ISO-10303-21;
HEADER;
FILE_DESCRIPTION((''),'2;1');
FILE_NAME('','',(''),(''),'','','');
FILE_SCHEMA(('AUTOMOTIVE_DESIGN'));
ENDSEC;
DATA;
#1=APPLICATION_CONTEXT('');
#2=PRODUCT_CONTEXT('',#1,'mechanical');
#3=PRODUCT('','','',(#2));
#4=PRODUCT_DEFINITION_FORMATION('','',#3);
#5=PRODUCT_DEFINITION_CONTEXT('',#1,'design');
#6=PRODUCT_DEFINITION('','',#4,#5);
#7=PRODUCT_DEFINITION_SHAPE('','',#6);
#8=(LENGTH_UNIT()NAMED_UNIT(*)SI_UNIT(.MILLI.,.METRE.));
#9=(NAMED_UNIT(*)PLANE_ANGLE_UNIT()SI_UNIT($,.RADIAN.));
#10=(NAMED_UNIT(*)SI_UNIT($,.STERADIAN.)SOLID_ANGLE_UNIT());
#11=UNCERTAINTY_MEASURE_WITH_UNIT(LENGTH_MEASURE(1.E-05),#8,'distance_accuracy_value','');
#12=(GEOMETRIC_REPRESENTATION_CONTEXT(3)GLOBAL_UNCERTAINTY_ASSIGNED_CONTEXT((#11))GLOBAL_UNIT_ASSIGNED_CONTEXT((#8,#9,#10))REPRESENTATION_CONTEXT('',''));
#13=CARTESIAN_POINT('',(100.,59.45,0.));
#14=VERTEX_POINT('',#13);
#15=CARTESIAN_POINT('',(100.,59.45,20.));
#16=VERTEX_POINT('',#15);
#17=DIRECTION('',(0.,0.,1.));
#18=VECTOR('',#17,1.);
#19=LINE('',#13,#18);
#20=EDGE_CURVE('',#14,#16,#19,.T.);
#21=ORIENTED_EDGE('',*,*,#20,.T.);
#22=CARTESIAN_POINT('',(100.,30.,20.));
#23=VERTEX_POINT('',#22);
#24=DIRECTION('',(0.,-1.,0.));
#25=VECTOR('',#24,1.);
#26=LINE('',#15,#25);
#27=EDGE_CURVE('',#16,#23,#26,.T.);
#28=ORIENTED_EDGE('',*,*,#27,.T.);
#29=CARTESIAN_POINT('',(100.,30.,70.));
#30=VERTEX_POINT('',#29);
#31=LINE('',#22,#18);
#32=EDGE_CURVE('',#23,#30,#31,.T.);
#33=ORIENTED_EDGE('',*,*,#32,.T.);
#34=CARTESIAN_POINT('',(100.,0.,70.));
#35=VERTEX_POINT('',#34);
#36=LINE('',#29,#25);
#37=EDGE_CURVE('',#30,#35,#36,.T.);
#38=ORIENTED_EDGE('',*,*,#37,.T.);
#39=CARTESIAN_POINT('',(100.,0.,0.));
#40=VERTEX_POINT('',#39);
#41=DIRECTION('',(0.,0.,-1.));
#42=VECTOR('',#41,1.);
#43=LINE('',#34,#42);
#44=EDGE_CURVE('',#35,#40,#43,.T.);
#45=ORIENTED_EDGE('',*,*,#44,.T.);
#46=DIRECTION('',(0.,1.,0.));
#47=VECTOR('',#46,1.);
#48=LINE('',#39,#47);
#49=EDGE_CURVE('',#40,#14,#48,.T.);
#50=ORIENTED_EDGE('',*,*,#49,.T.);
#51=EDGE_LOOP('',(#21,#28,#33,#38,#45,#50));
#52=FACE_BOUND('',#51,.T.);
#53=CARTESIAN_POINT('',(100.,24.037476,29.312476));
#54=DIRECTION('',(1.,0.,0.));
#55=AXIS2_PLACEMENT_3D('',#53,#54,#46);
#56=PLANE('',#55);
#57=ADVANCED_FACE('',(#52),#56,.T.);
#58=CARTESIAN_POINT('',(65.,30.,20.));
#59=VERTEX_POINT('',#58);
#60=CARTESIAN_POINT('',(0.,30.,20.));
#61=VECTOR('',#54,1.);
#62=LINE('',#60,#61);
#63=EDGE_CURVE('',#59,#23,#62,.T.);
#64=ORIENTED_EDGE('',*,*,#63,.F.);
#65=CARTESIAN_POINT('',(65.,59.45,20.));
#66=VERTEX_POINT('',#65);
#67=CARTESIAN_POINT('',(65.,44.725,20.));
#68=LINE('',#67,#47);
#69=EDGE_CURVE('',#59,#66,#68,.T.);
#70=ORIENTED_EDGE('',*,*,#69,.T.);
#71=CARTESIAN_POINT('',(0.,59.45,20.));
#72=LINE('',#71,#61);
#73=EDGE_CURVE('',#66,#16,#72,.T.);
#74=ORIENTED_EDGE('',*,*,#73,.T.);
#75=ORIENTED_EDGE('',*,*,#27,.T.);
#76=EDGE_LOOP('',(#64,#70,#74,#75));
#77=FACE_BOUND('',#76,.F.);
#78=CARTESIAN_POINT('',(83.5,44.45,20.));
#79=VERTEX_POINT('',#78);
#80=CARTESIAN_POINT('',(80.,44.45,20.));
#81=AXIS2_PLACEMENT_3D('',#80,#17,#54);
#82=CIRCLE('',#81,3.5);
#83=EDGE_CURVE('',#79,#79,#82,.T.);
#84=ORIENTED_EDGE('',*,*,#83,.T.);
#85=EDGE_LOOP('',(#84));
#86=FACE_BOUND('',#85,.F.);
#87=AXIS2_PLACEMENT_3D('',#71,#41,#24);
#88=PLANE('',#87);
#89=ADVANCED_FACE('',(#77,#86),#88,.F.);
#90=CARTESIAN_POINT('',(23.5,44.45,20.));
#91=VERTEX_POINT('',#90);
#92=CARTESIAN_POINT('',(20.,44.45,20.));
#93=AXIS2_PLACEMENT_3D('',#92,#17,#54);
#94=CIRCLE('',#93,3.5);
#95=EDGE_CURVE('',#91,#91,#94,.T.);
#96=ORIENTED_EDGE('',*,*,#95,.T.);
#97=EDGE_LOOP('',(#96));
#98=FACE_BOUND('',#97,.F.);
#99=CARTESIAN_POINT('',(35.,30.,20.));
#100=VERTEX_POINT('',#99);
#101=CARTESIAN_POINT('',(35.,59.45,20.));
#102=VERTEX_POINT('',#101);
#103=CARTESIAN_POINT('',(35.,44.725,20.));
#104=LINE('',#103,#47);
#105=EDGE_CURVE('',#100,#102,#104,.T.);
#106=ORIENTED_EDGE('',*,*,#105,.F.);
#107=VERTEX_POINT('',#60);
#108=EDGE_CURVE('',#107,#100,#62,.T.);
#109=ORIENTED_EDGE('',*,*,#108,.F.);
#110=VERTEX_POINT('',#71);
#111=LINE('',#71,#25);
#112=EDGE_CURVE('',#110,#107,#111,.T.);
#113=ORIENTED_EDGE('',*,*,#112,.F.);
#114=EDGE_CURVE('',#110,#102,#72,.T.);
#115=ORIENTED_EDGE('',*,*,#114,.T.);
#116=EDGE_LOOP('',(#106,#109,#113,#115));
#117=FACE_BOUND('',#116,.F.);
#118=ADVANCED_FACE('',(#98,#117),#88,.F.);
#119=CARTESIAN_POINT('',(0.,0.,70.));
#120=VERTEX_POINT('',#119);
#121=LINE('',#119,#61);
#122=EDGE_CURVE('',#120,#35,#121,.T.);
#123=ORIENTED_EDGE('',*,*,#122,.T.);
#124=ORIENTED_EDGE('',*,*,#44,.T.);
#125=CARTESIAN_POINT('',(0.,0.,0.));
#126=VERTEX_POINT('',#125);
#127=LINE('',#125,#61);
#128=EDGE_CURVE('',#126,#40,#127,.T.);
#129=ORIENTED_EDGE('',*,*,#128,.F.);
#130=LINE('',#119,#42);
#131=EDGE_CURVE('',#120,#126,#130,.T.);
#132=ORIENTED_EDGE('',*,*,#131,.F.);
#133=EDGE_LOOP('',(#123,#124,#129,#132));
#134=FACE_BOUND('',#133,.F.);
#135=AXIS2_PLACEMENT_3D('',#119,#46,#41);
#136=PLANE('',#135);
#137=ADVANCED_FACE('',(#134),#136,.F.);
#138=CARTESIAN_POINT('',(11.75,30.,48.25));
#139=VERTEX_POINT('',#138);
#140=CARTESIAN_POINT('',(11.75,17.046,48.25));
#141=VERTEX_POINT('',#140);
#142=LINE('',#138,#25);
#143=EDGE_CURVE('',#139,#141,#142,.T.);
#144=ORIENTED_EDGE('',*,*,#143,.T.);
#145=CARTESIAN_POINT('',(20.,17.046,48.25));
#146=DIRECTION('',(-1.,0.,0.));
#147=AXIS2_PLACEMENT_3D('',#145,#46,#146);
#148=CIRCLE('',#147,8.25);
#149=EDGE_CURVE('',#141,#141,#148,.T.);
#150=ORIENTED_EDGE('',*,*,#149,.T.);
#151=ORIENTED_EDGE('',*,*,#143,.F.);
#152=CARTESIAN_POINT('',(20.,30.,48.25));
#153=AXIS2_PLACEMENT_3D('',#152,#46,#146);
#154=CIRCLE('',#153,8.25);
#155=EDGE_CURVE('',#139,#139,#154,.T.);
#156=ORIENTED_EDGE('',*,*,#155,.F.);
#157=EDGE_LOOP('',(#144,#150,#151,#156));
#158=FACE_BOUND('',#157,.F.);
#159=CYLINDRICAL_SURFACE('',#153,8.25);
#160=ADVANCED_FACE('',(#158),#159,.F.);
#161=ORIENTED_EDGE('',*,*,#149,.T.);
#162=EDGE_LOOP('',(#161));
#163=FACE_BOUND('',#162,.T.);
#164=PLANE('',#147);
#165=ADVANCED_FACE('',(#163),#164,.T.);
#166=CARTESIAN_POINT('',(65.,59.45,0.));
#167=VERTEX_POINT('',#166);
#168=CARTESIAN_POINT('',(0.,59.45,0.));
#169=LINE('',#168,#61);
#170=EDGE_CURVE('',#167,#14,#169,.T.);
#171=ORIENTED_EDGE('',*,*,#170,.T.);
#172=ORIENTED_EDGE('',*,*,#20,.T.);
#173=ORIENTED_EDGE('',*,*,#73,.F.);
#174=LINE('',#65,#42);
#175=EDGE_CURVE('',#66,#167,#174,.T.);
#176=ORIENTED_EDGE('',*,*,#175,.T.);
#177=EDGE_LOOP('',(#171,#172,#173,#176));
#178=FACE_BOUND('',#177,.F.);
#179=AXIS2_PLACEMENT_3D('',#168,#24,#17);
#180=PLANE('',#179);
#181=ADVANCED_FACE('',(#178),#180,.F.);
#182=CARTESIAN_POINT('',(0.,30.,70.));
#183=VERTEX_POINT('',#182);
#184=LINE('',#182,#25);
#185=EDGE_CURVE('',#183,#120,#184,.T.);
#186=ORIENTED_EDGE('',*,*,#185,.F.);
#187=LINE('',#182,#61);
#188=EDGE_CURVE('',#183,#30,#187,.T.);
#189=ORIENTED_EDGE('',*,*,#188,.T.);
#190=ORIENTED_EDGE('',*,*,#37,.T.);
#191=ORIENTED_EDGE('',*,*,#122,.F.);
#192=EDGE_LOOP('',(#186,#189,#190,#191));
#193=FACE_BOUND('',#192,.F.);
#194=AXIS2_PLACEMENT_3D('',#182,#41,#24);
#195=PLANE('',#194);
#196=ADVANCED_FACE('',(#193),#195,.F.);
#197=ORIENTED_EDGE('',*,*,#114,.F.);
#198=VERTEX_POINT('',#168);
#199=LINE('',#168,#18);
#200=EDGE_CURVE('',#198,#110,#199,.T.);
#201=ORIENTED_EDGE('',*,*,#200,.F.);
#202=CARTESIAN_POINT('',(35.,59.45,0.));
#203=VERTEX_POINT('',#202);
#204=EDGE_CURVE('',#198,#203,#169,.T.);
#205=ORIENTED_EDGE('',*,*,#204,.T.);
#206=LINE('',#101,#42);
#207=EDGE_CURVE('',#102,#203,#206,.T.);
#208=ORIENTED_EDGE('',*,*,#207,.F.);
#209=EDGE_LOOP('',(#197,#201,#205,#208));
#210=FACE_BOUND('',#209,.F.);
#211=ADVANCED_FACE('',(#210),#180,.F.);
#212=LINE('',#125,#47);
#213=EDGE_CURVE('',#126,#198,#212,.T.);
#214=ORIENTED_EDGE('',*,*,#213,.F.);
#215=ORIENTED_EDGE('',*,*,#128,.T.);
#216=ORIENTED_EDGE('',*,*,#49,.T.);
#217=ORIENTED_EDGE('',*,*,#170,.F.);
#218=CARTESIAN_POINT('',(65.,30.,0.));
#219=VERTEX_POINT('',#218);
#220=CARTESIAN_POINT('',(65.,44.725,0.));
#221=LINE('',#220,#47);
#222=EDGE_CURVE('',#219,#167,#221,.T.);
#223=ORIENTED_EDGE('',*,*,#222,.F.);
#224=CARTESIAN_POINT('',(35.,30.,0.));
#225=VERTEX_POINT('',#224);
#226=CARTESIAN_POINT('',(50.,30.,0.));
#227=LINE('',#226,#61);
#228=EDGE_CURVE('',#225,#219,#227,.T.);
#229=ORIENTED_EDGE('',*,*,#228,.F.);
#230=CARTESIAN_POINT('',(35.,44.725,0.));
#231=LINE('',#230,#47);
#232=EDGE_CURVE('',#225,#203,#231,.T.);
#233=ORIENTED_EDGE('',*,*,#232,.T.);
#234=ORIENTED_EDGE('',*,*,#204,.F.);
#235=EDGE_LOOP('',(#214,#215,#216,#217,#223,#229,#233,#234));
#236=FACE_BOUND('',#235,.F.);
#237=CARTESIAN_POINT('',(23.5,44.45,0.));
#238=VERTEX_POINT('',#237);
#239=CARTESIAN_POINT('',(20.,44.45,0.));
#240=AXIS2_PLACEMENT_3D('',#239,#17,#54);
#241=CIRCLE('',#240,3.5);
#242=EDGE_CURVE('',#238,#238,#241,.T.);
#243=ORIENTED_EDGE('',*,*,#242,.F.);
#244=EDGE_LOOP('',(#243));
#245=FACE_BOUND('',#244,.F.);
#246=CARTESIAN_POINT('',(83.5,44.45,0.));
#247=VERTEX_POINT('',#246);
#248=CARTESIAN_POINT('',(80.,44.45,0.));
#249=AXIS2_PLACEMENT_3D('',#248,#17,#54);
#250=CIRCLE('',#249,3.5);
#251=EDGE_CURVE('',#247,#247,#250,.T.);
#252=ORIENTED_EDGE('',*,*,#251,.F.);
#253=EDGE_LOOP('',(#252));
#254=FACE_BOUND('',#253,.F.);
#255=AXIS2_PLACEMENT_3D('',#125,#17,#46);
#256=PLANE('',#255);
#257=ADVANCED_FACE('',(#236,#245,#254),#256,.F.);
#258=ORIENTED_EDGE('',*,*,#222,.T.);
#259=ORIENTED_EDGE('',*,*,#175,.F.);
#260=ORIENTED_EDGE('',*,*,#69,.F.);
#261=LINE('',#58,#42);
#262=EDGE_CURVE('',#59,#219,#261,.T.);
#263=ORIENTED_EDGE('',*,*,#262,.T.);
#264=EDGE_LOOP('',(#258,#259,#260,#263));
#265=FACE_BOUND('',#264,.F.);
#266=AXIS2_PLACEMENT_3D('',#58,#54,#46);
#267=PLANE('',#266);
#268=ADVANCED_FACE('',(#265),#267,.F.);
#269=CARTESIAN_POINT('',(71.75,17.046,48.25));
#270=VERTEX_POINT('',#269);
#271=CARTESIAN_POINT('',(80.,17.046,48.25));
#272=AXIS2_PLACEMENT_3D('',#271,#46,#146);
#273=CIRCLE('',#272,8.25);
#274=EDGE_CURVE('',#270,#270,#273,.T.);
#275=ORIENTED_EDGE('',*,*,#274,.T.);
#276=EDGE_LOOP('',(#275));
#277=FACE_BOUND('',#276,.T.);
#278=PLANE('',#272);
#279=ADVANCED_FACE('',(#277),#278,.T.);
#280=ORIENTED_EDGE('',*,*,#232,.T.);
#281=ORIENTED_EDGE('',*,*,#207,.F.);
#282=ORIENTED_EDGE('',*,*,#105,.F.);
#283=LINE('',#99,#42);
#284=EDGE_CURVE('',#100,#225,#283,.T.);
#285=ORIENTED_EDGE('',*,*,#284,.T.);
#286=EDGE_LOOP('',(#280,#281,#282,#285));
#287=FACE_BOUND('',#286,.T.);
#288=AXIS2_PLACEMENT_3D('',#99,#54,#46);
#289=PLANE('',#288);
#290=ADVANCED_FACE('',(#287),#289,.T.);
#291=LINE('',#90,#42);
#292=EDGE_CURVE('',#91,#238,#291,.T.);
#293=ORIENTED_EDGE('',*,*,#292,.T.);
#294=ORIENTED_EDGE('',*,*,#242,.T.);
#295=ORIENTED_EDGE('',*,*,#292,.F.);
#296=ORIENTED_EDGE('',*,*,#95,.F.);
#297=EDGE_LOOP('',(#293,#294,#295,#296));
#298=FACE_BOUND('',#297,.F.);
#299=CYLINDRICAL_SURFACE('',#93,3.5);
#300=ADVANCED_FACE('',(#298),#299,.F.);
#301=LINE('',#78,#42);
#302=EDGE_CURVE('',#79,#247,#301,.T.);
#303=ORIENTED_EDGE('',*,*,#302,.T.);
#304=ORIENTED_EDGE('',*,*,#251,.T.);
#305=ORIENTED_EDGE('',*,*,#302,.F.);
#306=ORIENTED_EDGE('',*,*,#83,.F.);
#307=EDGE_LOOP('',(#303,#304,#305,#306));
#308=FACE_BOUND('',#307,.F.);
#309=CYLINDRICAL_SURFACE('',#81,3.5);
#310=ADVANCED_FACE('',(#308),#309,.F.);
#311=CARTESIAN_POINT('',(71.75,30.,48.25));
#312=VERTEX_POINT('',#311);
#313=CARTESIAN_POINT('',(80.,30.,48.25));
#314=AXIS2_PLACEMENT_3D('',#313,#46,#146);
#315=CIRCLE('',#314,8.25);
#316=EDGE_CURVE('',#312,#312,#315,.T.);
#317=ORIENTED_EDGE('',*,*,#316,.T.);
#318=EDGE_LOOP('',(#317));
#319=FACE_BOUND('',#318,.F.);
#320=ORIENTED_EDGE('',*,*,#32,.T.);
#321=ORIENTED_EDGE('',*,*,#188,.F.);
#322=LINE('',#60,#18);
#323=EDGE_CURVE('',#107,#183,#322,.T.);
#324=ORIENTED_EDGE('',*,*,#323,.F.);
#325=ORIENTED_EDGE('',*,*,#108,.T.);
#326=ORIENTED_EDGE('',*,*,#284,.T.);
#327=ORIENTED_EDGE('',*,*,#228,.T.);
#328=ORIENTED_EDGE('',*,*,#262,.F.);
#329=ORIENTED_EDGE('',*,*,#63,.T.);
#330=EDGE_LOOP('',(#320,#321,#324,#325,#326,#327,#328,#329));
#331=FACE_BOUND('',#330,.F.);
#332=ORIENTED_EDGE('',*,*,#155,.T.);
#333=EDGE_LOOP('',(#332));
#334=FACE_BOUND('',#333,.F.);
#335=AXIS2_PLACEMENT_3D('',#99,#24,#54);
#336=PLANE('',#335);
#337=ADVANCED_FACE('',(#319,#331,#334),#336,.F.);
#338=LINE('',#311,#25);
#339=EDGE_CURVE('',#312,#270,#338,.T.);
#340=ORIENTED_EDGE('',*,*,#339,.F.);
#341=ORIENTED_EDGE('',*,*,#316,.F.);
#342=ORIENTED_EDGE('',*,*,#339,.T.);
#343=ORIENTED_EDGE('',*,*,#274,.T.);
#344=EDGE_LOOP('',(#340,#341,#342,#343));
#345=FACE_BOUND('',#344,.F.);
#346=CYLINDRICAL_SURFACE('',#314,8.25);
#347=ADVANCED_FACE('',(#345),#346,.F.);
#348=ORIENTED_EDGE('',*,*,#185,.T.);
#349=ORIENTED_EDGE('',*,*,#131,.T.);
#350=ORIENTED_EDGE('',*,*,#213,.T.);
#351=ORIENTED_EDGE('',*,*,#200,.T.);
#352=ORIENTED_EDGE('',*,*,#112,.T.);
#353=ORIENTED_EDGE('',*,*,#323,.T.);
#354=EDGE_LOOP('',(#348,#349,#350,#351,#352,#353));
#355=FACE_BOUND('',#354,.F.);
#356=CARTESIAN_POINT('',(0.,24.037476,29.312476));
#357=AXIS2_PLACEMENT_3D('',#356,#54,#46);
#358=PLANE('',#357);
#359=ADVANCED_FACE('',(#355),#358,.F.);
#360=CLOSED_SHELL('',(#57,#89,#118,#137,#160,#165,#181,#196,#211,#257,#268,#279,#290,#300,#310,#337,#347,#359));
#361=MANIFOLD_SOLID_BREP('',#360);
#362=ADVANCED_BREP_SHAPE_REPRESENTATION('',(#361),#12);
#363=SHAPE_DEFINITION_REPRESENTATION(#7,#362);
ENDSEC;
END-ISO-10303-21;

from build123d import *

# Parameters (mm, degrees)
F1_DEPTH = 100
F2_R     = 8.25
F3_DEPTH = 12.954
F4_R     = 3.5
F5_DEPTH = 20
F6_W     = 30
F6_H     = 29.45
F7_DEPTH = 20


with BuildPart() as f1:
    # F0 (on Right) → F1 (new body)
    with BuildSketch(Plane.YZ):
        Polygon((0, 0), (59.45, 0), (59.45, 20), (30, 20), (30, 70), (0, 70), align=None)
    extrude(amount=F1_DEPTH)

    # F2 (on face) → F3 (cut)
    with BuildSketch(Plane(origin=(0, 30, 0), x_dir=(-1, 0, 0), z_dir=(0, 1, 0))):
        with Locations((-80, 48.25)):
            Circle(F2_R)
        with Locations((-20, 48.25)):
            Circle(F2_R)
    extrude(amount=-F3_DEPTH, mode=Mode.SUBTRACT)

    # F4 (on face) → F5 (cut, through all)
    with BuildSketch(Plane.XY.offset(20)):
        with Locations((80, 44.45)):
            Circle(F4_R)
        with Locations((20, 44.45)):
            Circle(F4_R)
    extrude(amount=-F5_DEPTH, mode=Mode.SUBTRACT)

    # F6 (on face) → F7 (cut, through all)
    with BuildSketch(Plane.XY.offset(20)):
        with Locations((50, 44.725)):
            Rectangle(F6_W, F6_H)
    extrude(amount=-F7_DEPTH, mode=Mode.SUBTRACT)


solid = f1.part
